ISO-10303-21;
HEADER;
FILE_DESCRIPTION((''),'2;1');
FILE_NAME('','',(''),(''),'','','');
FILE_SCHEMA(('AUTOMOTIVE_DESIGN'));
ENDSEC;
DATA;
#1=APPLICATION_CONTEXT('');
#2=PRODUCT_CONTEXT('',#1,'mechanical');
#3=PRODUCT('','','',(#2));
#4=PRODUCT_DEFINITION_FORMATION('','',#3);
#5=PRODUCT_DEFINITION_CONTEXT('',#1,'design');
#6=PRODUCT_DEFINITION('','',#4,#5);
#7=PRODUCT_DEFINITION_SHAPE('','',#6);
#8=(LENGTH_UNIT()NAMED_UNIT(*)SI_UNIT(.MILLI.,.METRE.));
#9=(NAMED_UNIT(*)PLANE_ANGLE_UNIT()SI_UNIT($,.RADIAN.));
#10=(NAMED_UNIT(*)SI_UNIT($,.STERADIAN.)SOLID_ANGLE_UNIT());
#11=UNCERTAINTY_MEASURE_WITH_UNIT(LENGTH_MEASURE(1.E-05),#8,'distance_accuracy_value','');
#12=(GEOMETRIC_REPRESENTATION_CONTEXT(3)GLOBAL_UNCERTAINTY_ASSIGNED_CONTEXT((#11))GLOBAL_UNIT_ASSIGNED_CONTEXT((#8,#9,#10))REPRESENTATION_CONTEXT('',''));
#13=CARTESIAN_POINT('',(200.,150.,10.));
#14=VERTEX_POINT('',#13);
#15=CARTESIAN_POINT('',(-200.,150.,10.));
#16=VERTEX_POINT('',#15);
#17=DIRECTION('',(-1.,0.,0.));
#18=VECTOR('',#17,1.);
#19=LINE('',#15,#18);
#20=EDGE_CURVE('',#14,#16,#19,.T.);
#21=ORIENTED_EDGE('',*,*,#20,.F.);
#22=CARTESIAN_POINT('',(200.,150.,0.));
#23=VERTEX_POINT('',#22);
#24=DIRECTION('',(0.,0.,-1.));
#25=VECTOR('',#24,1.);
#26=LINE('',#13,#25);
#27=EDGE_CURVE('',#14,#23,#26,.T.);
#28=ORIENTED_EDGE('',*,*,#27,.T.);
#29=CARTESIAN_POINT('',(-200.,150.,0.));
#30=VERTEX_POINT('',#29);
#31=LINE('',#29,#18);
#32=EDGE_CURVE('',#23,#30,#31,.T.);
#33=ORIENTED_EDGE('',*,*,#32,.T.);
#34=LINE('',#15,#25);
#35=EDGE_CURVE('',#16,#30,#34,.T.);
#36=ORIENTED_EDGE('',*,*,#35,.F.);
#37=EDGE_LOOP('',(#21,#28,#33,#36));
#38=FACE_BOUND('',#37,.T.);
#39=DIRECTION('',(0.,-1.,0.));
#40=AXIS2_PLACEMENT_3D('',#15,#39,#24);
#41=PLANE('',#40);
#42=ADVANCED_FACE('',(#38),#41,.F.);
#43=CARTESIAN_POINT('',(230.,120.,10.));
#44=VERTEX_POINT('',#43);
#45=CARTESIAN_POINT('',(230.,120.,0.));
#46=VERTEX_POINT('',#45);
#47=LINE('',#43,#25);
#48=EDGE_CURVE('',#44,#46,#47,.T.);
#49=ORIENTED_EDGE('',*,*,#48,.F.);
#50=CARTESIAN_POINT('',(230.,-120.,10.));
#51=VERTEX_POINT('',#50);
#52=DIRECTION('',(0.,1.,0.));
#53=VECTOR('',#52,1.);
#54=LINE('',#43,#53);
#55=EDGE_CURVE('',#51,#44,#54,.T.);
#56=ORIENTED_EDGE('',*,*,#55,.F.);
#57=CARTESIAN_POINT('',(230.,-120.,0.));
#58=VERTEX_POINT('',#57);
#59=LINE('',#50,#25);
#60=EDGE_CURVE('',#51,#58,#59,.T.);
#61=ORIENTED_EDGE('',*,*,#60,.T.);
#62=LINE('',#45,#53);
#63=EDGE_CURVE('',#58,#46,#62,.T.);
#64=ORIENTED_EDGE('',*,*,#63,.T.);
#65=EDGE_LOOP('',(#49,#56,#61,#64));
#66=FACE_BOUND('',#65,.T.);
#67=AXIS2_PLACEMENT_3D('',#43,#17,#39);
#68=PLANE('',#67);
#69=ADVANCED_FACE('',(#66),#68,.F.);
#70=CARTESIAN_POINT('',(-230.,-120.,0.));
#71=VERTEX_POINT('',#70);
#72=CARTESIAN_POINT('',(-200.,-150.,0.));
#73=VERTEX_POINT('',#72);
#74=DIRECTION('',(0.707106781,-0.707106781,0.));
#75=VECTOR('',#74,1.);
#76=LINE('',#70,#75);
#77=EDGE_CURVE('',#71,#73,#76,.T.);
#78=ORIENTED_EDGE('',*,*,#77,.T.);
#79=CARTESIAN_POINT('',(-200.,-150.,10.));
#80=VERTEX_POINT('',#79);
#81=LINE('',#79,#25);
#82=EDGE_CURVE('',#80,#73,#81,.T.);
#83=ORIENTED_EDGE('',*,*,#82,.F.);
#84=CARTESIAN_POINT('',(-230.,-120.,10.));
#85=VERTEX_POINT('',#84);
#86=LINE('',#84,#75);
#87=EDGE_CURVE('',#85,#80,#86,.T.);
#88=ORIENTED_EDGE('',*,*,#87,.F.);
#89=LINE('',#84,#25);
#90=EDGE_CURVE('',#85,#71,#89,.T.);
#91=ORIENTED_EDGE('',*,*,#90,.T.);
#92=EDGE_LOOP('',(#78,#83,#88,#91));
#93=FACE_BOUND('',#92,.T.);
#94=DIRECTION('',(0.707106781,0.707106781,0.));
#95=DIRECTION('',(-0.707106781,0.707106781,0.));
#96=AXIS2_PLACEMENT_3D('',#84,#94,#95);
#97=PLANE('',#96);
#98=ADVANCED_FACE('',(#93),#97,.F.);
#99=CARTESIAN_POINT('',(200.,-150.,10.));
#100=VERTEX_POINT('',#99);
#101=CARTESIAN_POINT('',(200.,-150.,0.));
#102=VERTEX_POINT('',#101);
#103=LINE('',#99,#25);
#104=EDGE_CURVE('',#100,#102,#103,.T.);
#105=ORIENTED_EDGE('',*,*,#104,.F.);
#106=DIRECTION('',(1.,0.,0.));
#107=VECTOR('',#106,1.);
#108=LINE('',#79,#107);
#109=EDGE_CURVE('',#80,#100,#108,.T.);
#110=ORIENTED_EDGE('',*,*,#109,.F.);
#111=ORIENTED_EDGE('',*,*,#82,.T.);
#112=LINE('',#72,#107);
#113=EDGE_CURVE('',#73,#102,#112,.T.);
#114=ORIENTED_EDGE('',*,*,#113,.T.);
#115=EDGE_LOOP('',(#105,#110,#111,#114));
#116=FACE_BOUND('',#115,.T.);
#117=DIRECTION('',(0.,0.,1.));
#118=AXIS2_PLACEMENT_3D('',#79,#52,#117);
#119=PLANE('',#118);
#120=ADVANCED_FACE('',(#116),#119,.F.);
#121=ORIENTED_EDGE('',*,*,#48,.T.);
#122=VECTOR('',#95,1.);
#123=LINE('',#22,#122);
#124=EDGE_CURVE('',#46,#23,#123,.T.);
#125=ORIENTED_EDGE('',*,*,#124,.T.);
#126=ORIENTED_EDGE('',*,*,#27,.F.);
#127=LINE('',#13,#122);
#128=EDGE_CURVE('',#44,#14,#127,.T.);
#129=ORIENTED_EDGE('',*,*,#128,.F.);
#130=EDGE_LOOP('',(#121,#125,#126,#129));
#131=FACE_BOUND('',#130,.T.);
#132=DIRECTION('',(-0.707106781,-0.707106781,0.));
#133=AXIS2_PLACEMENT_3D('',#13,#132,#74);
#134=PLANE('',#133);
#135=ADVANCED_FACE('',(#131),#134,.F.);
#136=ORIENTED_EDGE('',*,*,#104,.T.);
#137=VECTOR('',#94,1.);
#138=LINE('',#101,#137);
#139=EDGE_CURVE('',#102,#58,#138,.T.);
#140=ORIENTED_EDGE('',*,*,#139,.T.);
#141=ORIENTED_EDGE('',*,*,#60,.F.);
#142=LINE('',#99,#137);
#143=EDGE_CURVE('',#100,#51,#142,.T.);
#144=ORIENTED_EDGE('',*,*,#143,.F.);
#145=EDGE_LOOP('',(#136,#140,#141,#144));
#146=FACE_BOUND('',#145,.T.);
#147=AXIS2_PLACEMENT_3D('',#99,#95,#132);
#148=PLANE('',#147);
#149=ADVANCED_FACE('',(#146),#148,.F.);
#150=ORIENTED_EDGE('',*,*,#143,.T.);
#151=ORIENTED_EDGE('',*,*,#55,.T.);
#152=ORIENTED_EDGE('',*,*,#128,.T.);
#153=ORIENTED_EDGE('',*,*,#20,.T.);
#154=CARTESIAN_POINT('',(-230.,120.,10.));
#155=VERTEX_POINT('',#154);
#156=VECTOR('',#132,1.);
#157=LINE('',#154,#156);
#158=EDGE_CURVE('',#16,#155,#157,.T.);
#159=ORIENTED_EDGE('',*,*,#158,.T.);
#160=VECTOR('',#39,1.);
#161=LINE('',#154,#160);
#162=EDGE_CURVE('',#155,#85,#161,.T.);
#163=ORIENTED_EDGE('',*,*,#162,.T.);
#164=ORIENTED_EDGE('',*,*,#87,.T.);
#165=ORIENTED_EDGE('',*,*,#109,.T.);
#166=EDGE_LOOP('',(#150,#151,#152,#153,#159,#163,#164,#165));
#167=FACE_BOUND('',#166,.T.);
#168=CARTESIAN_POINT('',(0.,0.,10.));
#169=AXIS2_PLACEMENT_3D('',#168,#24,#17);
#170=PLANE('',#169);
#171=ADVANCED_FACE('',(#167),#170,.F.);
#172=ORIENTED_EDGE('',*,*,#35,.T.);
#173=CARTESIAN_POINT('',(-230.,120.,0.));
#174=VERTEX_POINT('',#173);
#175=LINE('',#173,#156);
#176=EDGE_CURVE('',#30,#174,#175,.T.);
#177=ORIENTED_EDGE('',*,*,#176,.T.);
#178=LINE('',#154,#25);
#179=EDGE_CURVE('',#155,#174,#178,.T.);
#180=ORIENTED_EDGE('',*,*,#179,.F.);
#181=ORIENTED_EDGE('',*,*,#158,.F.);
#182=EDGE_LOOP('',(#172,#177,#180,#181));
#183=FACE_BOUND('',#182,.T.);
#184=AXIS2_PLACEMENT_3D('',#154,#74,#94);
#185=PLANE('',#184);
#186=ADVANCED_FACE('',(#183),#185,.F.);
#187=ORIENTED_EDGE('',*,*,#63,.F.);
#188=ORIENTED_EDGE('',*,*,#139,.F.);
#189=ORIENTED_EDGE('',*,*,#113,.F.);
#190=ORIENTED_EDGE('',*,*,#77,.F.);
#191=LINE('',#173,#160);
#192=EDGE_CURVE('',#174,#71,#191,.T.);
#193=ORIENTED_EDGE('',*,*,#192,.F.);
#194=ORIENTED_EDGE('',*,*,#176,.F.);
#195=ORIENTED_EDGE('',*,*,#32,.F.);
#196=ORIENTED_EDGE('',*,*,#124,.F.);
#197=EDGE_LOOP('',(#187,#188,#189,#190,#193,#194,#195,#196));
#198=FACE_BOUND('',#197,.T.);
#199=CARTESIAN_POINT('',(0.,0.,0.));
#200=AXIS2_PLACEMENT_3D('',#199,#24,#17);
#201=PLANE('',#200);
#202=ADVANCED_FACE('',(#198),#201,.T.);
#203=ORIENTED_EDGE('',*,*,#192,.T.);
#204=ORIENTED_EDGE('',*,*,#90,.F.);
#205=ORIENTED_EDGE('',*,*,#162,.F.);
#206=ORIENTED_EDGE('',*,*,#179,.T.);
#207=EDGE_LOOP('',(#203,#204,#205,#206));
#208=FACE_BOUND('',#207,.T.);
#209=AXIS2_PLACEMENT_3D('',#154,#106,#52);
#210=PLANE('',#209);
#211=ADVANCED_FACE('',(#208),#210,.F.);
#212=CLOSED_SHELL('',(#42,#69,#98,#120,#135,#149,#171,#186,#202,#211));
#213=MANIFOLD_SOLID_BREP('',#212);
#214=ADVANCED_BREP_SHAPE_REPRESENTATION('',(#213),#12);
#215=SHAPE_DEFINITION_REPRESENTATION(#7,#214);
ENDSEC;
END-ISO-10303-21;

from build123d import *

# Parameters (mm, degrees)
BOSS_EXTRUDE1_DEPTH = 10


with BuildPart() as part:
    # Sketch2 → Boss-Extrude1 (new body)
    with BuildSketch(Plane.XY):
        Polygon((-230, 120), (-200, 150), (200, 150), (230, 120), (230, -120), (200, -150), (-200, -150), (-230, -120), align=None)
    extrude(amount=BOSS_EXTRUDE1_DEPTH)


solid = part.part
